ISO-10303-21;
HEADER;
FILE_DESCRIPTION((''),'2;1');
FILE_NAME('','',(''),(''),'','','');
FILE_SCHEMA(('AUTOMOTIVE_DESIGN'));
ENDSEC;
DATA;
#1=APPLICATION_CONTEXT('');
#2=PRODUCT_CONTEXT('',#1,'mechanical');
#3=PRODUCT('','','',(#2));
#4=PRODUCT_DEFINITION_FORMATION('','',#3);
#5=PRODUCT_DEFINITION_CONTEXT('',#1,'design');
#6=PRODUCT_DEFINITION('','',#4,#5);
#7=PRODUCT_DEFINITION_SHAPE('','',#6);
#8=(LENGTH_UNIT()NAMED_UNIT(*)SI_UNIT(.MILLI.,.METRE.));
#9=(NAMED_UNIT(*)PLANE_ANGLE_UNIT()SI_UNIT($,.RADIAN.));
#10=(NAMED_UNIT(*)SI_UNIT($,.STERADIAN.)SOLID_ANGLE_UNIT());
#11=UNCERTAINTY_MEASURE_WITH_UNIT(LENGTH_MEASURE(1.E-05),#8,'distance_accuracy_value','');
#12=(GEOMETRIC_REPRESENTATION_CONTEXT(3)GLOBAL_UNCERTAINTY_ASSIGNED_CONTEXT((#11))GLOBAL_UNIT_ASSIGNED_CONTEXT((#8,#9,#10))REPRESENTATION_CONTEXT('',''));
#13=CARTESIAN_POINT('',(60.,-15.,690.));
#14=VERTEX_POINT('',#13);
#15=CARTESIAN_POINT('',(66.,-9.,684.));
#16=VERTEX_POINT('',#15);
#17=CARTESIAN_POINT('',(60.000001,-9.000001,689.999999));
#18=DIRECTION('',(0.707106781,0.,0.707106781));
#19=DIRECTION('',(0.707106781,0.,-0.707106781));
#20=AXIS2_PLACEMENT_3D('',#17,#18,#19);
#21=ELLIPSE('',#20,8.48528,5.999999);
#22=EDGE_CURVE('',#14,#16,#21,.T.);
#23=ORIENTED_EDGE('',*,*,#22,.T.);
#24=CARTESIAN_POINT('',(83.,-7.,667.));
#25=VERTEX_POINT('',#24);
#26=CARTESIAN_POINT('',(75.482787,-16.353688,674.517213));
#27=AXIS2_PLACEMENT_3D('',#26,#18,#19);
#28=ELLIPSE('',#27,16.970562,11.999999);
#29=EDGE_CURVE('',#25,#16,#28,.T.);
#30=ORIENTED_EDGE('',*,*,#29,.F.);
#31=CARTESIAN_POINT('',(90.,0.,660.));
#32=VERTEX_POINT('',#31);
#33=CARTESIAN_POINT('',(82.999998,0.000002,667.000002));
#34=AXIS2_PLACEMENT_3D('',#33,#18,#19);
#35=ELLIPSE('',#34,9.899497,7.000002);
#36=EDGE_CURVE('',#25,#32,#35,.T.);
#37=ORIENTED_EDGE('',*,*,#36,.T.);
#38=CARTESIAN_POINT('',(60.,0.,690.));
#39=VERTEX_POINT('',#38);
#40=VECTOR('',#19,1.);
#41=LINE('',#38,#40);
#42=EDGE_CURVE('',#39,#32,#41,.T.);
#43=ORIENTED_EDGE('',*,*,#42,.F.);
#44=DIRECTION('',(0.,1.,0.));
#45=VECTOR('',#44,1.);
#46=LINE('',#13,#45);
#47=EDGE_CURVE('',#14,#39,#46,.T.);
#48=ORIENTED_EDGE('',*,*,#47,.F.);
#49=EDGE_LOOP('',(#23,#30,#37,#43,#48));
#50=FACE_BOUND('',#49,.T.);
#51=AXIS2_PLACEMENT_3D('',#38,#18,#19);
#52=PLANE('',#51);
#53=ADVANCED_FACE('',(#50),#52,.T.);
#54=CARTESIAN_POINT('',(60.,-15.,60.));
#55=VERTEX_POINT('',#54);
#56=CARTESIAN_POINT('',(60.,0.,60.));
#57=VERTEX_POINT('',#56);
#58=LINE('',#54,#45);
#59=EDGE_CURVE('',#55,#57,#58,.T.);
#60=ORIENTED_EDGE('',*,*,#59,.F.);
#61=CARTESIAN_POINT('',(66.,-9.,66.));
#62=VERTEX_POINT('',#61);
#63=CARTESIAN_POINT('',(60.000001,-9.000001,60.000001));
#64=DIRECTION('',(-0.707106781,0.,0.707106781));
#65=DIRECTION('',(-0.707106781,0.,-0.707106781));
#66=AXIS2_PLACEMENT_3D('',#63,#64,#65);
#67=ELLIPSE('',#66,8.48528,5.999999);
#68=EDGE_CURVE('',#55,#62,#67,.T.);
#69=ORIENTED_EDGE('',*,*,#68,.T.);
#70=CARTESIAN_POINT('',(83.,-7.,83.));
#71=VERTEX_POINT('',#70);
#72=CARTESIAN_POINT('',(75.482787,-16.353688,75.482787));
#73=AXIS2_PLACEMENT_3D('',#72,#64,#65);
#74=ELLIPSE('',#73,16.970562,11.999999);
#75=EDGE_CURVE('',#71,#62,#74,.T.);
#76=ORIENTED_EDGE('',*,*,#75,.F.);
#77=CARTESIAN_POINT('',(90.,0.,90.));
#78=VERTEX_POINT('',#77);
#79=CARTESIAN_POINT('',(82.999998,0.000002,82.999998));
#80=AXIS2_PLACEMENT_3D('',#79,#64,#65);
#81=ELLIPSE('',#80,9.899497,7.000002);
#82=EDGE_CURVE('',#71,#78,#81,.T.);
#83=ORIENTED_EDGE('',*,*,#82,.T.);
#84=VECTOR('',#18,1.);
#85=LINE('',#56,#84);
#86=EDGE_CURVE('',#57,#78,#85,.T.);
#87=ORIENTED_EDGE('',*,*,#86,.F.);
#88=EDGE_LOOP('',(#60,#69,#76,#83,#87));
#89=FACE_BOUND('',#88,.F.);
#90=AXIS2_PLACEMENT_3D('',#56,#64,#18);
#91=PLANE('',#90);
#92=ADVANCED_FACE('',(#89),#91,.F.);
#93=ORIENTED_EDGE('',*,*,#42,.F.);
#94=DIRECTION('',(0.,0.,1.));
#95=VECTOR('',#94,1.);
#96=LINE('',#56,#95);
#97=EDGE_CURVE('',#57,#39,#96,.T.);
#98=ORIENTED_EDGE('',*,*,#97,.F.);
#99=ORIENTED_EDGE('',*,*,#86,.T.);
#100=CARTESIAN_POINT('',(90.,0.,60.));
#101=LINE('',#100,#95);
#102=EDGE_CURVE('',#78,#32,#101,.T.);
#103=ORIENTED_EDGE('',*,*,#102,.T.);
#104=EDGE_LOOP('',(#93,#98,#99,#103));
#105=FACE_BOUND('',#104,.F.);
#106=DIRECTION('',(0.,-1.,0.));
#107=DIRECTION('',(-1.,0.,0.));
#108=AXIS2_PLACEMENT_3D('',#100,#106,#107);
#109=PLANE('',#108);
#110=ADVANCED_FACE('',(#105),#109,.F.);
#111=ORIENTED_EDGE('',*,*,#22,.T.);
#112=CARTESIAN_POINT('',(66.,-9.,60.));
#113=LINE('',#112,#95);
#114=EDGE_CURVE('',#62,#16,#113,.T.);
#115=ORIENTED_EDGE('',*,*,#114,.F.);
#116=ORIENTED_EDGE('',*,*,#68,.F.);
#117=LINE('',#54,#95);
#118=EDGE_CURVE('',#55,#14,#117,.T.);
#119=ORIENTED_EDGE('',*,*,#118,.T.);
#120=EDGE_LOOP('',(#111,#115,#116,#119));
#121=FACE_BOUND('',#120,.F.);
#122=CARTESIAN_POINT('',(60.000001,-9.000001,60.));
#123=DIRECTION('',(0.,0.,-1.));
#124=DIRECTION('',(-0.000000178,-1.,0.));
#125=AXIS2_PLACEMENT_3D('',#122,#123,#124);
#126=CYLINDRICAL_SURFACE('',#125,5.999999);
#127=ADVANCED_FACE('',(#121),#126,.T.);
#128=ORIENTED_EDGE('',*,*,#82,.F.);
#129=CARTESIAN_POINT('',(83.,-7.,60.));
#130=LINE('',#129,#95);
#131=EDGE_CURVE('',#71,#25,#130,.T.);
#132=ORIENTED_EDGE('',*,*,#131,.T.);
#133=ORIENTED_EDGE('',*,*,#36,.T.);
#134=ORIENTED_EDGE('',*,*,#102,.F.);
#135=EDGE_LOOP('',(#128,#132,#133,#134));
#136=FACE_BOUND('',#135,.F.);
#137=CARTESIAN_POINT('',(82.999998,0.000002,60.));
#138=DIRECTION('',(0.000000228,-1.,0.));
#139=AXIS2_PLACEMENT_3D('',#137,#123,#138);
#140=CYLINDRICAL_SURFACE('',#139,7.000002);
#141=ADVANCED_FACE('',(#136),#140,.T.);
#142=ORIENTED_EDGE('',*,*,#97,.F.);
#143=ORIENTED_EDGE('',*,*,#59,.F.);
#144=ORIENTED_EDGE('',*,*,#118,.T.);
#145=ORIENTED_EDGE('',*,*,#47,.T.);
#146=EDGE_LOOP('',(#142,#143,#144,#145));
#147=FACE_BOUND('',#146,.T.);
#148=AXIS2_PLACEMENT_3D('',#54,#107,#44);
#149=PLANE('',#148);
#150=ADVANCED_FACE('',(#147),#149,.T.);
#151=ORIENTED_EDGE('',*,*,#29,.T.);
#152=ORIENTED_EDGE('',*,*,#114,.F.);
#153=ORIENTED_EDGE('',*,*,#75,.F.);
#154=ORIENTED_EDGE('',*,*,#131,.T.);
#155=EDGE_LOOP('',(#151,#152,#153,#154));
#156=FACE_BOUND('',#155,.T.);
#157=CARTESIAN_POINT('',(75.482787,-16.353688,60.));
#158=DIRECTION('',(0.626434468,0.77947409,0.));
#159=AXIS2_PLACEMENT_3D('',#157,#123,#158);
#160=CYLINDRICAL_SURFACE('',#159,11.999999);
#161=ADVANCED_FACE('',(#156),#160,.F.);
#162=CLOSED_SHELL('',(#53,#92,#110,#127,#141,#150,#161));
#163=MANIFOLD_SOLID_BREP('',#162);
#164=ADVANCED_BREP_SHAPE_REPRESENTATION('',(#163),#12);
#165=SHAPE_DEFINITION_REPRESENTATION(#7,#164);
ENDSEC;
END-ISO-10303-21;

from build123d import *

# Parameters (mm, degrees)
PAD024_DEPTH = 40
PAD023_DEPTH = 40
PAD022_DEPTH = 630


with BuildPart() as body_decoration_left_cut_top002:
    # Sketch024 → Pad024 (new body)
    with BuildSketch(Plane(origin=(60, 0, 690), x_dir=(1, 0, 0), z_dir=(0, -1, 0))):
        Polygon((0, 0), (40, -40), (40, 0), align=None)
    extrude(amount=PAD024_DEPTH)


with BuildPart() as body_decoration_left_cut_bottom002:
    # Sketch023 → Pad023 (new body)
    with BuildSketch(Plane(origin=(60, 0, 60), x_dir=(1, 0, 0), z_dir=(0, -1, 0))):
        Polygon((0, 0), (40, 40), (40, 0), align=None)
    extrude(amount=PAD023_DEPTH)


with BuildPart() as cut_decoration_left002:
    # Sketch022 → Pad022 (new body)
    with BuildSketch(Plane(origin=(60, 0, 60), x_dir=(1, 0, 0), z_dir=(0, 0, 1))):
        with BuildLine():
            Line((30, 0), (0, 0))
            Line((0, -15), (0, 0))
            ThreePointArc((0, -15), (4.242641, -13.242641), (6, -9))
            ThreePointArc((23, -7), (14.080692, -4.435882), (6, -9))
            ThreePointArc((23, -7), (27.949747, -4.949747), (30, 0))
        make_face()
    extrude(amount=PAD022_DEPTH)

    # Cut010: cut Body, Decoration, Left, Cut, Bottom002
    add(body_decoration_left_cut_bottom002.part, mode=Mode.SUBTRACT)

    # Cut011: cut Body, Decoration, Left, Cut, Top002
    add(body_decoration_left_cut_top002.part, mode=Mode.SUBTRACT)


solid = cut_decoration_left002.part
